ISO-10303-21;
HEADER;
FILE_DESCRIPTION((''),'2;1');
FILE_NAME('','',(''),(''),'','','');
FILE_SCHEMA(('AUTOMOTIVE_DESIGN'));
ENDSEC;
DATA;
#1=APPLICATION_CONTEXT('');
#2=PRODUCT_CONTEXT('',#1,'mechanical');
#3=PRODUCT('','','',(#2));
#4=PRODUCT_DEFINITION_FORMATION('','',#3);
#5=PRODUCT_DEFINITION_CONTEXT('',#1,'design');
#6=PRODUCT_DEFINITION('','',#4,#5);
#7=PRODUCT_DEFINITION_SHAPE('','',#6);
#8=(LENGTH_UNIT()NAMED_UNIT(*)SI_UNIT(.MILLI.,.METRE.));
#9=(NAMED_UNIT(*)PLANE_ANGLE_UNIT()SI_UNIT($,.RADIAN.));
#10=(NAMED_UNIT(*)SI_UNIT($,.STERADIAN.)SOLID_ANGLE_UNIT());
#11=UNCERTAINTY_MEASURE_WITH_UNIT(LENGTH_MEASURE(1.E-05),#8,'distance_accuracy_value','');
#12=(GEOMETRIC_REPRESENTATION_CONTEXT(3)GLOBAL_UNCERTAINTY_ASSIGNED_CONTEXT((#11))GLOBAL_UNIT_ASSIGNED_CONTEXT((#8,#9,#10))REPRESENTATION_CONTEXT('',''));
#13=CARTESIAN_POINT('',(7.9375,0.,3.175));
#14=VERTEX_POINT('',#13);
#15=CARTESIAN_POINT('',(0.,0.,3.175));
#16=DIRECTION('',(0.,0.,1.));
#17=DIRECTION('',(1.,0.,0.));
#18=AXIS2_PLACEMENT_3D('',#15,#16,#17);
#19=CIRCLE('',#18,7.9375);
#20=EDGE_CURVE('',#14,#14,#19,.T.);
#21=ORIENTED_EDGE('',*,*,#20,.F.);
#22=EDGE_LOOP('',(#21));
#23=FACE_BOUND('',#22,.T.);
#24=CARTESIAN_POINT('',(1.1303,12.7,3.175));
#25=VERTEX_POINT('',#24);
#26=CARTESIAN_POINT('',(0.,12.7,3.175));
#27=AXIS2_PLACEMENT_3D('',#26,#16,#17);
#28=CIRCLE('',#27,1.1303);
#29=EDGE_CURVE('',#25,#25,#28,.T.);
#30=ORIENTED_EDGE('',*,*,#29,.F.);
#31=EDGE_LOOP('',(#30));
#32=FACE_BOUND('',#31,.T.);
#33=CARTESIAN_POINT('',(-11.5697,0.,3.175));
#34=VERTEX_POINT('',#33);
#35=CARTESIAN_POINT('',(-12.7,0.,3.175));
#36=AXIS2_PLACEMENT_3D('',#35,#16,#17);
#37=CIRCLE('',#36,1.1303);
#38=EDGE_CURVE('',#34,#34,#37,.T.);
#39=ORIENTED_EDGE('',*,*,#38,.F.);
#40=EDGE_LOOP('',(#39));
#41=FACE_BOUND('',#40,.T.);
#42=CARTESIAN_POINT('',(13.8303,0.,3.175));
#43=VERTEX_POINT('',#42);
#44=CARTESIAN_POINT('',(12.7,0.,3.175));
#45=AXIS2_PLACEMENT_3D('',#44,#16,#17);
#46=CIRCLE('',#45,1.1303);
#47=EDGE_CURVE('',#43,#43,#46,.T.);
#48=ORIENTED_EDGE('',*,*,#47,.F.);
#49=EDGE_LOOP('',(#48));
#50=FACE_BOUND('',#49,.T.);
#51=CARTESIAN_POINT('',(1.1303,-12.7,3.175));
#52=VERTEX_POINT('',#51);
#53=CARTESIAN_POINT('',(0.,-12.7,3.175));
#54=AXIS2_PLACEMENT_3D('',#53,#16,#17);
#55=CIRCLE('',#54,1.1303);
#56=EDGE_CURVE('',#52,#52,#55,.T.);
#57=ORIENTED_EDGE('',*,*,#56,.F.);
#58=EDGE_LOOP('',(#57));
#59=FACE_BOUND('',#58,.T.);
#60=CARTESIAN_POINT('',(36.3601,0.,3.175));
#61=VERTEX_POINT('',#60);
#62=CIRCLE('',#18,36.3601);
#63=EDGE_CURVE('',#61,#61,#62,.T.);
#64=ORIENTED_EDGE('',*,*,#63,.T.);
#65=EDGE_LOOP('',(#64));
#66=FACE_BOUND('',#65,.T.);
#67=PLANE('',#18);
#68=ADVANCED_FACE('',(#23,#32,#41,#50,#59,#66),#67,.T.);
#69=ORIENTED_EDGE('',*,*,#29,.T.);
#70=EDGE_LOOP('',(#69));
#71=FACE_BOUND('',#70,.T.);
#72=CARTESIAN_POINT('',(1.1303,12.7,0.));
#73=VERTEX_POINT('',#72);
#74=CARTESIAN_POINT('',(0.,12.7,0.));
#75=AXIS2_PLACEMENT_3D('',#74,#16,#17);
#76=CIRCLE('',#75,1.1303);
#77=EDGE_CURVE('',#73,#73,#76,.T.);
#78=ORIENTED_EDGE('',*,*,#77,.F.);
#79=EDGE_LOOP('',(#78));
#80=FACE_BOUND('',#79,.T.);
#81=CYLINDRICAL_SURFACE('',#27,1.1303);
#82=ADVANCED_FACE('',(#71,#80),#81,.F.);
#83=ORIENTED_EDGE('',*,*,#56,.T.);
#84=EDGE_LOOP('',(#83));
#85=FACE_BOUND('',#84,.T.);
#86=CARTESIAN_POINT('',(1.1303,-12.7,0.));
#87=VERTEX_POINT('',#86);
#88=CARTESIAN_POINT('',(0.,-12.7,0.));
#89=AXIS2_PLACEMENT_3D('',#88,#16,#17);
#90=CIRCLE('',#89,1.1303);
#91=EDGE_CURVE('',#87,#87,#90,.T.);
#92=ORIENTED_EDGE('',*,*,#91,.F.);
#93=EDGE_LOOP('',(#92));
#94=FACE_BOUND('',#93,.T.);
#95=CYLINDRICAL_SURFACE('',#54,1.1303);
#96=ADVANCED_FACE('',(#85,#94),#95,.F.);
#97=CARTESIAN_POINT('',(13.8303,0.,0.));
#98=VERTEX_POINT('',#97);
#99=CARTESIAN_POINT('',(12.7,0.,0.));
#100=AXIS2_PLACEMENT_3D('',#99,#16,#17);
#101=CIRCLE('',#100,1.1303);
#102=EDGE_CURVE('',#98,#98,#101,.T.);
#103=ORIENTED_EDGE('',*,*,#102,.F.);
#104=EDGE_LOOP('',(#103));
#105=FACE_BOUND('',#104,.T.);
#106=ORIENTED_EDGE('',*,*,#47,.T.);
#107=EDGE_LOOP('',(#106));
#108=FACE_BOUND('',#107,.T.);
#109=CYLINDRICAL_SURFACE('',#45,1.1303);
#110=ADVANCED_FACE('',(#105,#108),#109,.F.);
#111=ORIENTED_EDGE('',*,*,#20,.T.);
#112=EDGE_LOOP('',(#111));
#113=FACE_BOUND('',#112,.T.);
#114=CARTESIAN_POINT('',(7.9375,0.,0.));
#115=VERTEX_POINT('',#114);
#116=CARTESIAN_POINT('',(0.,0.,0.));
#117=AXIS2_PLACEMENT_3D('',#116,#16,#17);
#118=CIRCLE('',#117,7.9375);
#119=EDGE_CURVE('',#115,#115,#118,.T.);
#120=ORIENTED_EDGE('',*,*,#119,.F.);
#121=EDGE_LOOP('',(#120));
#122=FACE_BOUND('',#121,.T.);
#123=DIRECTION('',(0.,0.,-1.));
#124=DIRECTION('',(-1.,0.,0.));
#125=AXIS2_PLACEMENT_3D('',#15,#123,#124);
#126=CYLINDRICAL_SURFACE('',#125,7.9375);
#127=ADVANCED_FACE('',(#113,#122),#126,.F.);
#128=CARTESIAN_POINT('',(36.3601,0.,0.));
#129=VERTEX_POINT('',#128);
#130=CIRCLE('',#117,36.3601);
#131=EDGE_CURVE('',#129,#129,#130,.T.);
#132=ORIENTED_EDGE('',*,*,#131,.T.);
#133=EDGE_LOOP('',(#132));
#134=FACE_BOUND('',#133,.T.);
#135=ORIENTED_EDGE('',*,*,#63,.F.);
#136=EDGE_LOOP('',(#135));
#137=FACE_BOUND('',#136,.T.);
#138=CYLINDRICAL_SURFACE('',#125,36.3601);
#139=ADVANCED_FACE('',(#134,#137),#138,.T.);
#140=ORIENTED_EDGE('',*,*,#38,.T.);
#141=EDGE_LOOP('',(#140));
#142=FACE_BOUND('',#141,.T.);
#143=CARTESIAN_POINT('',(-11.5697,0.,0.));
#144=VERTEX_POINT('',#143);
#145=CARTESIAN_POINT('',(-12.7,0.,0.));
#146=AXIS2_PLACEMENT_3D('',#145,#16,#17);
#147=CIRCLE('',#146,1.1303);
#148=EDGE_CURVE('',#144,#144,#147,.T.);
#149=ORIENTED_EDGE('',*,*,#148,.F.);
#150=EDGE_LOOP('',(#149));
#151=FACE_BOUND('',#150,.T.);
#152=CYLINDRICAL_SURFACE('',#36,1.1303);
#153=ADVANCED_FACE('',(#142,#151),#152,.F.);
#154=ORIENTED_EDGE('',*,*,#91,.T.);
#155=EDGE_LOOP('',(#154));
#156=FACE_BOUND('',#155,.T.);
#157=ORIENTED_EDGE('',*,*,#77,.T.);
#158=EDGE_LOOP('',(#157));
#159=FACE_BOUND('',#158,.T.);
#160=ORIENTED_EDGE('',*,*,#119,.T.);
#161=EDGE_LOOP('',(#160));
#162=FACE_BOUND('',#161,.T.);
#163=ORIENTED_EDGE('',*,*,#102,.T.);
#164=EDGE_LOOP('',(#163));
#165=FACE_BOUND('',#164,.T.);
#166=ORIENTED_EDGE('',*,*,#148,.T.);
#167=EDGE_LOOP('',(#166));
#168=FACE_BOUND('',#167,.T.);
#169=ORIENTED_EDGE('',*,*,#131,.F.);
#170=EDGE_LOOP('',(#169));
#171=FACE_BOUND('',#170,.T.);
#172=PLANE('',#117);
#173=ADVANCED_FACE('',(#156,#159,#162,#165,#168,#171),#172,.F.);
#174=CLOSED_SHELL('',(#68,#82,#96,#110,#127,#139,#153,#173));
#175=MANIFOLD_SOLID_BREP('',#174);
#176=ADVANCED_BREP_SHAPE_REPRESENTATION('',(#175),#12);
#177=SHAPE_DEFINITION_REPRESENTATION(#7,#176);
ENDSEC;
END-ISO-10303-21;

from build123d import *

# Parameters (mm, degrees)
SKETCH1_R                     = 36.3601
SKETCH1_R_2                   = 7.9375
BOSS_EXTRUDE1_DEPTH           = 3.175
TAP_DRILL_FOR_4_40_TAP1_D     = 2.2606
TAP_DRILL_FOR_4_40_TAP1_DEPTH = 4
TAP_DRILL_FOR_4_40_TAP1_TIP   = 0.679152758


with BuildPart() as part:
    # Sketch1 → Boss-Extrude1 (new body)
    with BuildSketch(Plane.XY):
        Circle(SKETCH1_R)
        Circle(SKETCH1_R_2, mode=Mode.SUBTRACT)
    extrude(amount=BOSS_EXTRUDE1_DEPTH)

    # Tap Drill for #4-40 Tap1
    with Locations(Plane.XY.offset(3.175)):
        with Locations((0, 12.7), (0, -12.7), (12.7, 0), (-12.7, 0)):
            Hole(TAP_DRILL_FOR_4_40_TAP1_D / 2, depth=TAP_DRILL_FOR_4_40_TAP1_DEPTH)
            with Locations((0, 0, -(TAP_DRILL_FOR_4_40_TAP1_DEPTH + TAP_DRILL_FOR_4_40_TAP1_TIP / 2))):  # 118° drill point
                Cone(0, TAP_DRILL_FOR_4_40_TAP1_D / 2, TAP_DRILL_FOR_4_40_TAP1_TIP, mode=Mode.SUBTRACT)


solid = part.part
